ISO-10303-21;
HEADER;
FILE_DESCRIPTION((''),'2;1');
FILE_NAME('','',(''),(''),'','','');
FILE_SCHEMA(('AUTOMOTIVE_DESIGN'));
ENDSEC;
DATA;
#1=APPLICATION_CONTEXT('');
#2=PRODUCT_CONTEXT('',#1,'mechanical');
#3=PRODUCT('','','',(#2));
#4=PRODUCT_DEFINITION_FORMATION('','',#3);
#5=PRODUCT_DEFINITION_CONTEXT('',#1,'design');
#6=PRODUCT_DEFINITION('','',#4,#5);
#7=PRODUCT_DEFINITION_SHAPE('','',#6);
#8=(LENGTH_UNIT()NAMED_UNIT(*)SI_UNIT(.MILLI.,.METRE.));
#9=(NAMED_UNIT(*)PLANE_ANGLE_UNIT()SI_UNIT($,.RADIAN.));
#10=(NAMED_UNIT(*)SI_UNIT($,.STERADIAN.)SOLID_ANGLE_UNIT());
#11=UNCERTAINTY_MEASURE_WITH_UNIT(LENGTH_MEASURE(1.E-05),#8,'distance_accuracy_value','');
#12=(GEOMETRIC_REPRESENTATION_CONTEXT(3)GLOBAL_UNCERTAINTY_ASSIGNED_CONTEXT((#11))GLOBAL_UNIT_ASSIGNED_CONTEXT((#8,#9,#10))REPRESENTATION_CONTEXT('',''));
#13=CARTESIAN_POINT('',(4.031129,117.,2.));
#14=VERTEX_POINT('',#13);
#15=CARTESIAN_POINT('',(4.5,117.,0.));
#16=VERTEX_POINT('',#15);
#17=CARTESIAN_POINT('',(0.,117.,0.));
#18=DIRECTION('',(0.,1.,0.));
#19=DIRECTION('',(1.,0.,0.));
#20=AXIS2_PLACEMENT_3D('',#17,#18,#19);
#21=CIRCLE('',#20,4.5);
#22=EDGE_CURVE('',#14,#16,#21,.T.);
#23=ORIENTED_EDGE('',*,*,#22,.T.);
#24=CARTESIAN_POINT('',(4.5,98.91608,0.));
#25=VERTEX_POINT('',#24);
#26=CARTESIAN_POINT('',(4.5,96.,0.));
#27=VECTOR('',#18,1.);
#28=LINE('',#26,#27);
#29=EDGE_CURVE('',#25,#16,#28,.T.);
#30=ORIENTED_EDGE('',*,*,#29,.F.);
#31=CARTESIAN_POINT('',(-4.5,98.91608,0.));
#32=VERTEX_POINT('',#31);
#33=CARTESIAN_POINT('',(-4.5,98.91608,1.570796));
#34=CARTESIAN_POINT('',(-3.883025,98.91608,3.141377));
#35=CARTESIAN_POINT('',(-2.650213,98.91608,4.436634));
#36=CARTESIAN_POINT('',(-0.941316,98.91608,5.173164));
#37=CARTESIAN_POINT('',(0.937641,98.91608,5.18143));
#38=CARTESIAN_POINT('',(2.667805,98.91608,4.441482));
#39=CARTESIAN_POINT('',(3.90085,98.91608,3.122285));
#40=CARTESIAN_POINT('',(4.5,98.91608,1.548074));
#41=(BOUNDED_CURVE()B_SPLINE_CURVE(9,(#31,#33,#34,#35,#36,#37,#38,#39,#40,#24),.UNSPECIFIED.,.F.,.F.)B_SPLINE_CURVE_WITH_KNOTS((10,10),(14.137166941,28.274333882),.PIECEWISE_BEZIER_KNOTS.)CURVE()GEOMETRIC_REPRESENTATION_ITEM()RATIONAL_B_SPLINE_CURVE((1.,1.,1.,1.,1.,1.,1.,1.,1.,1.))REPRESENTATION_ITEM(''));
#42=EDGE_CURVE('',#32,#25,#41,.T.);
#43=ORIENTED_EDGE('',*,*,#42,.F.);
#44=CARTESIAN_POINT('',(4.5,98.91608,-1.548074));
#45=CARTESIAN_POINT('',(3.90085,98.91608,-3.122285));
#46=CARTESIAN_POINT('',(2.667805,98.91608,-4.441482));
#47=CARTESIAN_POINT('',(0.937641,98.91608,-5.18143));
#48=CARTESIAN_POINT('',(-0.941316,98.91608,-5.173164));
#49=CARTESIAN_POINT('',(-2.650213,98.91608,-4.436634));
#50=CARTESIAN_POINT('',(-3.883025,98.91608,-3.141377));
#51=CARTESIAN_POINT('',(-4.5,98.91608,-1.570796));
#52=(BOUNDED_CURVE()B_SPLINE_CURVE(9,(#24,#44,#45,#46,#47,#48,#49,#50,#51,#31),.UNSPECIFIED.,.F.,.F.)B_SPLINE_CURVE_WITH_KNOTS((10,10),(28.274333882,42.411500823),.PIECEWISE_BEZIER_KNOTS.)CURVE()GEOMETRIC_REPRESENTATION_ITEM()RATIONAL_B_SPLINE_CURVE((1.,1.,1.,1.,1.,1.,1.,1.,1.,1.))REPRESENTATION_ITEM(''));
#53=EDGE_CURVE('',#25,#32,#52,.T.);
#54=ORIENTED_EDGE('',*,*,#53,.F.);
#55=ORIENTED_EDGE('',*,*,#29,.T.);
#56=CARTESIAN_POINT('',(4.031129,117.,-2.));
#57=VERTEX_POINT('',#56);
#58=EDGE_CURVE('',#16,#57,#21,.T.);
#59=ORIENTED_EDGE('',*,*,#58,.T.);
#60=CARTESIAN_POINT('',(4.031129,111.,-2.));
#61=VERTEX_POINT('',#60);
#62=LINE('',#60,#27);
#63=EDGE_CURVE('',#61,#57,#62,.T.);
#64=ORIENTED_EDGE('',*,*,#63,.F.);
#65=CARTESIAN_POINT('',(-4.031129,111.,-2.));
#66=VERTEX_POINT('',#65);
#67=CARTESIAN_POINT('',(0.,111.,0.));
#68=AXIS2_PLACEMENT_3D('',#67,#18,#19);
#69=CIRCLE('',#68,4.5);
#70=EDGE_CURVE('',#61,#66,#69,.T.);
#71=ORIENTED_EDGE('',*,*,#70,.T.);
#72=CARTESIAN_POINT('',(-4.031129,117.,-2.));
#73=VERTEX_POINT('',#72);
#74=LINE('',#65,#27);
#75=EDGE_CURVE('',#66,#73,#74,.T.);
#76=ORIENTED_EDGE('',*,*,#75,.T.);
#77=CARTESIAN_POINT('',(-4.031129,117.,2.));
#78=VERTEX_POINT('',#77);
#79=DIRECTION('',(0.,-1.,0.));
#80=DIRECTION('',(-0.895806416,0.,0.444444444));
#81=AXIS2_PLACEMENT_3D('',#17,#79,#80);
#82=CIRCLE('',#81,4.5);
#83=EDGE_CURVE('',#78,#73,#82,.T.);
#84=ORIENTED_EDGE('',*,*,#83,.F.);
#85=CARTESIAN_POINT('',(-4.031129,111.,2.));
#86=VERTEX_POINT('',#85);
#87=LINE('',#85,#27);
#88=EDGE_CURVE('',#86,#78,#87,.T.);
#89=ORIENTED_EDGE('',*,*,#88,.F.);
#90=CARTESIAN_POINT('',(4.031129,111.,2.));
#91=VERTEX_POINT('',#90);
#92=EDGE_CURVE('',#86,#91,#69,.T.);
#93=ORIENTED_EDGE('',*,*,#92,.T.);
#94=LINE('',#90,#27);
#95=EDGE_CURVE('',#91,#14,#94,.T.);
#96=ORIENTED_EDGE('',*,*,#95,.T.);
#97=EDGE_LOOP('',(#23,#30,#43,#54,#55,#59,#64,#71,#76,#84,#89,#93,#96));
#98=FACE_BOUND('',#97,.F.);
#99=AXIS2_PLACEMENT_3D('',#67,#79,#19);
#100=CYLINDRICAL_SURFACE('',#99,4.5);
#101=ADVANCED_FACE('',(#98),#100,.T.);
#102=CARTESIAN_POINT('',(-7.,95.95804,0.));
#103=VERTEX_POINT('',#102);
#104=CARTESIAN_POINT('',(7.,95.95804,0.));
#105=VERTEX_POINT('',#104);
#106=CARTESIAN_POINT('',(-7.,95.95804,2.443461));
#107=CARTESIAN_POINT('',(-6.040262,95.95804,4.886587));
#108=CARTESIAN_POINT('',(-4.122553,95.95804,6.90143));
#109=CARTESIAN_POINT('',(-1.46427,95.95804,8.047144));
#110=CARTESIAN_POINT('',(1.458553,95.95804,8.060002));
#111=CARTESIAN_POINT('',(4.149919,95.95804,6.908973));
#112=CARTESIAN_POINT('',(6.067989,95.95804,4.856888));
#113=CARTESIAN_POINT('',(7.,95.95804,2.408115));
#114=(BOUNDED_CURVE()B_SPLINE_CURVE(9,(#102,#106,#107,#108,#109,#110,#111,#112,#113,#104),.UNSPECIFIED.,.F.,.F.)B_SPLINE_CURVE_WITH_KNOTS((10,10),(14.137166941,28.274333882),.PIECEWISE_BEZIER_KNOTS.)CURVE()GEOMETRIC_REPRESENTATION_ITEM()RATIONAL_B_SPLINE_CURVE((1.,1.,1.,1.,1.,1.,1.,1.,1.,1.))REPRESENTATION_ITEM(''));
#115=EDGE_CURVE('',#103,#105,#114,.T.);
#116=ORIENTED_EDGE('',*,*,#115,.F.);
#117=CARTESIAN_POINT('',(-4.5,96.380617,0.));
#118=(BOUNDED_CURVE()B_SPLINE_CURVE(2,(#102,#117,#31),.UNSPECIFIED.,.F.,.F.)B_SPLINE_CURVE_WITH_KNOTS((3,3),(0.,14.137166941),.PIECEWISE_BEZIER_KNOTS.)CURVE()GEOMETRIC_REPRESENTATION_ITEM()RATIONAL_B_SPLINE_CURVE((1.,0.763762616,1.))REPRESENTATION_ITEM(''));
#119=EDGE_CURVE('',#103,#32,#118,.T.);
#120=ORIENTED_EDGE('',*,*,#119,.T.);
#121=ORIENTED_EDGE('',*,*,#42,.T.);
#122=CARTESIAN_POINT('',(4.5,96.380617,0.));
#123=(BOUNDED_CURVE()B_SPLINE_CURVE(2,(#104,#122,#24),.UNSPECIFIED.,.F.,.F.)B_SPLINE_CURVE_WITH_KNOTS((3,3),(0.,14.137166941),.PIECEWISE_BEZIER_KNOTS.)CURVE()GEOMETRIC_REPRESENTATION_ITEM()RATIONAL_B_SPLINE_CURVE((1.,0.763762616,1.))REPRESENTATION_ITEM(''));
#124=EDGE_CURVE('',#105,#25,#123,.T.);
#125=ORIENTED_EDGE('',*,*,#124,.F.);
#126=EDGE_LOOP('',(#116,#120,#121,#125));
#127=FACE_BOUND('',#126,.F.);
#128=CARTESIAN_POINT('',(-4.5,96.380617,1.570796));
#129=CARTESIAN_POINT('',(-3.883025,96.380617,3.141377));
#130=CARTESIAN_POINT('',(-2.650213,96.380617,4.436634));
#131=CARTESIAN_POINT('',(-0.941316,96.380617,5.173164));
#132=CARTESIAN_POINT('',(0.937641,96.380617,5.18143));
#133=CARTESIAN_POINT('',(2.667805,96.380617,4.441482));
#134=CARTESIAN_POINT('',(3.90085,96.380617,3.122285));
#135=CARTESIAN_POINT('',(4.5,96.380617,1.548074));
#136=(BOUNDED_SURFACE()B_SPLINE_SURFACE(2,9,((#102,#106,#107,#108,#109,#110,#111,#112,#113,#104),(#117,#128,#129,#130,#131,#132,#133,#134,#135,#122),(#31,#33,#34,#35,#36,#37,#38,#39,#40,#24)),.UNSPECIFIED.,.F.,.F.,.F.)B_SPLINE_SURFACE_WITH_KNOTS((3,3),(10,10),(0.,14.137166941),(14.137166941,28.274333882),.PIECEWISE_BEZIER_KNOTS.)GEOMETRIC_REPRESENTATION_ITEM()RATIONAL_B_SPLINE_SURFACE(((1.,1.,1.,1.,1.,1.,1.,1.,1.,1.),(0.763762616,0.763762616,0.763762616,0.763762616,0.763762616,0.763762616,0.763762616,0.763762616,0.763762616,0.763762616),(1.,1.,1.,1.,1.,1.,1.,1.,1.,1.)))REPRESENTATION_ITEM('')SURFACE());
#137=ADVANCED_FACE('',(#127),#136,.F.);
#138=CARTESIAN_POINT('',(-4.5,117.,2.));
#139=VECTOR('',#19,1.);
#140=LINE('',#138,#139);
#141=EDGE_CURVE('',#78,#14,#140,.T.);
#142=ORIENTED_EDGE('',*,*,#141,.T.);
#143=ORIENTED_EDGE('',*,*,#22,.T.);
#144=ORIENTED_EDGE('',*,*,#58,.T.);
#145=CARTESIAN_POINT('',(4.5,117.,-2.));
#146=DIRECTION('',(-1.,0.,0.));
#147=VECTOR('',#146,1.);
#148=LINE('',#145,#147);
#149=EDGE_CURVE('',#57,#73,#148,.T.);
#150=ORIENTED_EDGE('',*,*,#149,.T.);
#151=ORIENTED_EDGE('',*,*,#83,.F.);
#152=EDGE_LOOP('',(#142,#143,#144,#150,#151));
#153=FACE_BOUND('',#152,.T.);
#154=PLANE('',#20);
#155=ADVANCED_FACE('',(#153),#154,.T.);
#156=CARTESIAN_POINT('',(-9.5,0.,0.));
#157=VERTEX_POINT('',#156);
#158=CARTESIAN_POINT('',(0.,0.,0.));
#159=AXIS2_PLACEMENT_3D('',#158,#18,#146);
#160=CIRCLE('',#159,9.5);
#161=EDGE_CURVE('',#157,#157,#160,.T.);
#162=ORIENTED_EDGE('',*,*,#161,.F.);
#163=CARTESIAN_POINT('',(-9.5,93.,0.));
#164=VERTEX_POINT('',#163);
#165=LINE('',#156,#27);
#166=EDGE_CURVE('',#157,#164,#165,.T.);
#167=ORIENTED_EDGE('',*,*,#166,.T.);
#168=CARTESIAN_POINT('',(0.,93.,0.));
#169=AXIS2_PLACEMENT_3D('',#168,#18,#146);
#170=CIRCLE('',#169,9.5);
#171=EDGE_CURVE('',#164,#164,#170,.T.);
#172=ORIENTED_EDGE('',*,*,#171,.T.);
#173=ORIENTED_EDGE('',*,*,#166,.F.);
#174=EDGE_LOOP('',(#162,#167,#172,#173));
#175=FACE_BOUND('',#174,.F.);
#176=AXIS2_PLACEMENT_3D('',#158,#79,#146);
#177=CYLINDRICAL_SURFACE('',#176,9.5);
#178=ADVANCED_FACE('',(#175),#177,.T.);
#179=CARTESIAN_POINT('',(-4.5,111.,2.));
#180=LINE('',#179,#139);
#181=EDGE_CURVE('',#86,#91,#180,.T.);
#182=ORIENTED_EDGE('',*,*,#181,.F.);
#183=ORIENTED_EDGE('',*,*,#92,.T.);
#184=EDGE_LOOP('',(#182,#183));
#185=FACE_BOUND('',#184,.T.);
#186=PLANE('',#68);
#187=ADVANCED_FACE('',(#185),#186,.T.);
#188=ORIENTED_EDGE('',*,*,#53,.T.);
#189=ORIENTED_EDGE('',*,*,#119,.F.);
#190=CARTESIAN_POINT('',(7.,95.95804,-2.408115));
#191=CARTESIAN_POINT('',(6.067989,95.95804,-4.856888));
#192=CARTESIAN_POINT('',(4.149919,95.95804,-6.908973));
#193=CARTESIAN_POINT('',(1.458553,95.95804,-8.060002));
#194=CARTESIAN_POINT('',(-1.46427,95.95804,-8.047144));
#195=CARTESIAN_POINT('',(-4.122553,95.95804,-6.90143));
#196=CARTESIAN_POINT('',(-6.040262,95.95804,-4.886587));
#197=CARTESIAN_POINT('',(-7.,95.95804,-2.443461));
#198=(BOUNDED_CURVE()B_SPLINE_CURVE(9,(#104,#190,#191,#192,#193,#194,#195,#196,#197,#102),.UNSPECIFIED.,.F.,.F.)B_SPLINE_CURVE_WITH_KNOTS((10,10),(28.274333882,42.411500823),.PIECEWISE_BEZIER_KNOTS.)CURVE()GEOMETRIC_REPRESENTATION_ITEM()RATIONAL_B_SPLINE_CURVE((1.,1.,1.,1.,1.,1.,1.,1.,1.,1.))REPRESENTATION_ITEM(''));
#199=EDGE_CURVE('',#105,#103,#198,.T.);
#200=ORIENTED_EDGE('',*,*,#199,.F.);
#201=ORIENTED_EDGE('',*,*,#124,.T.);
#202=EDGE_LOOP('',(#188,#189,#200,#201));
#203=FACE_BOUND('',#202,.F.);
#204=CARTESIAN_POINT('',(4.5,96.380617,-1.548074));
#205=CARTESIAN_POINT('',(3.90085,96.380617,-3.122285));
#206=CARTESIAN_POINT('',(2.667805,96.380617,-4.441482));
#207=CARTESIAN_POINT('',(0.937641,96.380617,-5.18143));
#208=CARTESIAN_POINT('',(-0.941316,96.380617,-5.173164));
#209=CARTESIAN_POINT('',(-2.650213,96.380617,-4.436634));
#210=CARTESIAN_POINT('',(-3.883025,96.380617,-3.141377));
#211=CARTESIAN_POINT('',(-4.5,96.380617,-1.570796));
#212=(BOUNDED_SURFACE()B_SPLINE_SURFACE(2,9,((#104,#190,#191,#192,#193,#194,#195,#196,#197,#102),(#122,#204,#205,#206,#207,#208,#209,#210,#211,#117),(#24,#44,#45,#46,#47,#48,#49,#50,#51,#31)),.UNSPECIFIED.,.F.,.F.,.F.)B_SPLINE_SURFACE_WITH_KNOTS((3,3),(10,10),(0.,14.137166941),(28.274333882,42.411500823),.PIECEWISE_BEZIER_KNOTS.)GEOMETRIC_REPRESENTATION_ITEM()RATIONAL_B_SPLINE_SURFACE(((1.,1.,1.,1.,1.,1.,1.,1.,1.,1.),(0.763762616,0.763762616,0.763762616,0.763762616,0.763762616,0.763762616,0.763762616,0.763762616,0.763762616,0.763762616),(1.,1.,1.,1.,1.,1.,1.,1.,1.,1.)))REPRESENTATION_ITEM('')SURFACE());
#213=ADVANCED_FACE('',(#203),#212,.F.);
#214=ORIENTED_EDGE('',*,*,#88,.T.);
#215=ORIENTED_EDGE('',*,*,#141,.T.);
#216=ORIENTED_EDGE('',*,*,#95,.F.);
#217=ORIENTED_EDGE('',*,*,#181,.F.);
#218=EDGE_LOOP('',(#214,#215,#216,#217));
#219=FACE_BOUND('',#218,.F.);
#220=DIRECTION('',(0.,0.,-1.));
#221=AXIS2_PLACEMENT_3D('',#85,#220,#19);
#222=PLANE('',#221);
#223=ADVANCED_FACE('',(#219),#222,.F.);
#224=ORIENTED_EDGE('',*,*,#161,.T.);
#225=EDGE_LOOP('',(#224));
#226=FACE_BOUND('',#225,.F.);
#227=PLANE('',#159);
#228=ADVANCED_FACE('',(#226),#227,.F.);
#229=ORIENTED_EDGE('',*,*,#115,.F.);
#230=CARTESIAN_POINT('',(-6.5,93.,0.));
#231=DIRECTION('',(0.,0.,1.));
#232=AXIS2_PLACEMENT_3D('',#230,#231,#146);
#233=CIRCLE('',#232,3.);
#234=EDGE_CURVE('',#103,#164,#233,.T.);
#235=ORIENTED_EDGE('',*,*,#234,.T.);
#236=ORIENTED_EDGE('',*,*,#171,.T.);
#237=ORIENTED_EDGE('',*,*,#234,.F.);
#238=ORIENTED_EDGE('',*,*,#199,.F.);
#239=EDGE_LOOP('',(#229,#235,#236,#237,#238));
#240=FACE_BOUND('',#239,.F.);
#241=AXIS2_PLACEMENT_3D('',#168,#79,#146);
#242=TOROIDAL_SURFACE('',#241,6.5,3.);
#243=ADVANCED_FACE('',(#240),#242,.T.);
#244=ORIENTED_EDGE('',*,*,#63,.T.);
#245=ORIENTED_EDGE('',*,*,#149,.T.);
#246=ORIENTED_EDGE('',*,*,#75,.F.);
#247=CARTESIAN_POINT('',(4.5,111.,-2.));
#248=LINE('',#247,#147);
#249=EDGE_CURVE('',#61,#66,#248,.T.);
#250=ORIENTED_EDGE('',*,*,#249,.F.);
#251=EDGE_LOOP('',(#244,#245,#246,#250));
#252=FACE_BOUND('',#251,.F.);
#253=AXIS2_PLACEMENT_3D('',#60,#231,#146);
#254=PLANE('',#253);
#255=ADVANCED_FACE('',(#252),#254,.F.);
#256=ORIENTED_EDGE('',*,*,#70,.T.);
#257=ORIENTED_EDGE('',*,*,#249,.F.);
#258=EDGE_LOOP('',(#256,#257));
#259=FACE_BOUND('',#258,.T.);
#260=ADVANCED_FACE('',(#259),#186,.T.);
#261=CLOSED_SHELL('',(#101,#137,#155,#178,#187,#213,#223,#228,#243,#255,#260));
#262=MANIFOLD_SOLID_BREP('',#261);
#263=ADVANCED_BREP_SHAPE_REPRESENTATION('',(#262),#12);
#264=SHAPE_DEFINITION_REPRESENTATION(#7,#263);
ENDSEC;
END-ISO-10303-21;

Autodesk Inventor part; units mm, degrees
ref_plane "YZ Plane" through (0, 0, 0) normal (1, 0, 0) x (0, 1, 0)
ref_plane "XZ Plane" through (0, 0, 0) normal (0, 1, 0) x (-1, 0, 0)
ref_plane "XY Plane" through (0, 0, 0) normal (0, 0, 1) x (1, 0, 0)
sketch "Sketch1" plane through (0, 0, 0) normal (0, 1, 0) x (-1, 0, 0)
  circle A0 centre (0, 0) radius 9.5
  dimension "d0" = 19
extrude "Extrusion1" add sketch "Sketch1" along normal blind 96
sketch "Sketch2" plane through (0, 96, 0) normal (0, 1, 0) x (1, 0, 0)
  circle A0 centre (0, 0) radius 4.5
  dimension "d3" = 9
extrude "Extrusion2" add sketch "Sketch2" along normal blind 15
sketch "Sketch3" plane through (0, 111, 0) normal (0, 1, 0) x (1, 0, 0)
  circle A0 centre (0, 0) radius 4.5 projected
  line L0 (-4.5, -2) -> (4.5, -2)
  line L1 (4.5, -2) -> (4.5, 2)
  line L2 (4.5, 2) -> (-4.5, 2)
  line L3 (-4.5, 2) -> (-4.5, -2)
  point P0 (-4.5, 0)
  point P1 (0, 2)
  point P2 (4.0311, 2)
  point P3 (-4.0311, 2)
  point P4 (-4.0311, -2)
  point P5 (4.0311, -2)
  dimension "d6" = 4
extrude "Extrusion3" add sketch "Sketch3" along normal blind 6 contours A0 L0 L2
fillet "Fillet1" radius 3 2 edges at (9.5, 96, 0) (-4.5, 96, 0)
properties part number "Marker" material "PC/ABS Plastic"
